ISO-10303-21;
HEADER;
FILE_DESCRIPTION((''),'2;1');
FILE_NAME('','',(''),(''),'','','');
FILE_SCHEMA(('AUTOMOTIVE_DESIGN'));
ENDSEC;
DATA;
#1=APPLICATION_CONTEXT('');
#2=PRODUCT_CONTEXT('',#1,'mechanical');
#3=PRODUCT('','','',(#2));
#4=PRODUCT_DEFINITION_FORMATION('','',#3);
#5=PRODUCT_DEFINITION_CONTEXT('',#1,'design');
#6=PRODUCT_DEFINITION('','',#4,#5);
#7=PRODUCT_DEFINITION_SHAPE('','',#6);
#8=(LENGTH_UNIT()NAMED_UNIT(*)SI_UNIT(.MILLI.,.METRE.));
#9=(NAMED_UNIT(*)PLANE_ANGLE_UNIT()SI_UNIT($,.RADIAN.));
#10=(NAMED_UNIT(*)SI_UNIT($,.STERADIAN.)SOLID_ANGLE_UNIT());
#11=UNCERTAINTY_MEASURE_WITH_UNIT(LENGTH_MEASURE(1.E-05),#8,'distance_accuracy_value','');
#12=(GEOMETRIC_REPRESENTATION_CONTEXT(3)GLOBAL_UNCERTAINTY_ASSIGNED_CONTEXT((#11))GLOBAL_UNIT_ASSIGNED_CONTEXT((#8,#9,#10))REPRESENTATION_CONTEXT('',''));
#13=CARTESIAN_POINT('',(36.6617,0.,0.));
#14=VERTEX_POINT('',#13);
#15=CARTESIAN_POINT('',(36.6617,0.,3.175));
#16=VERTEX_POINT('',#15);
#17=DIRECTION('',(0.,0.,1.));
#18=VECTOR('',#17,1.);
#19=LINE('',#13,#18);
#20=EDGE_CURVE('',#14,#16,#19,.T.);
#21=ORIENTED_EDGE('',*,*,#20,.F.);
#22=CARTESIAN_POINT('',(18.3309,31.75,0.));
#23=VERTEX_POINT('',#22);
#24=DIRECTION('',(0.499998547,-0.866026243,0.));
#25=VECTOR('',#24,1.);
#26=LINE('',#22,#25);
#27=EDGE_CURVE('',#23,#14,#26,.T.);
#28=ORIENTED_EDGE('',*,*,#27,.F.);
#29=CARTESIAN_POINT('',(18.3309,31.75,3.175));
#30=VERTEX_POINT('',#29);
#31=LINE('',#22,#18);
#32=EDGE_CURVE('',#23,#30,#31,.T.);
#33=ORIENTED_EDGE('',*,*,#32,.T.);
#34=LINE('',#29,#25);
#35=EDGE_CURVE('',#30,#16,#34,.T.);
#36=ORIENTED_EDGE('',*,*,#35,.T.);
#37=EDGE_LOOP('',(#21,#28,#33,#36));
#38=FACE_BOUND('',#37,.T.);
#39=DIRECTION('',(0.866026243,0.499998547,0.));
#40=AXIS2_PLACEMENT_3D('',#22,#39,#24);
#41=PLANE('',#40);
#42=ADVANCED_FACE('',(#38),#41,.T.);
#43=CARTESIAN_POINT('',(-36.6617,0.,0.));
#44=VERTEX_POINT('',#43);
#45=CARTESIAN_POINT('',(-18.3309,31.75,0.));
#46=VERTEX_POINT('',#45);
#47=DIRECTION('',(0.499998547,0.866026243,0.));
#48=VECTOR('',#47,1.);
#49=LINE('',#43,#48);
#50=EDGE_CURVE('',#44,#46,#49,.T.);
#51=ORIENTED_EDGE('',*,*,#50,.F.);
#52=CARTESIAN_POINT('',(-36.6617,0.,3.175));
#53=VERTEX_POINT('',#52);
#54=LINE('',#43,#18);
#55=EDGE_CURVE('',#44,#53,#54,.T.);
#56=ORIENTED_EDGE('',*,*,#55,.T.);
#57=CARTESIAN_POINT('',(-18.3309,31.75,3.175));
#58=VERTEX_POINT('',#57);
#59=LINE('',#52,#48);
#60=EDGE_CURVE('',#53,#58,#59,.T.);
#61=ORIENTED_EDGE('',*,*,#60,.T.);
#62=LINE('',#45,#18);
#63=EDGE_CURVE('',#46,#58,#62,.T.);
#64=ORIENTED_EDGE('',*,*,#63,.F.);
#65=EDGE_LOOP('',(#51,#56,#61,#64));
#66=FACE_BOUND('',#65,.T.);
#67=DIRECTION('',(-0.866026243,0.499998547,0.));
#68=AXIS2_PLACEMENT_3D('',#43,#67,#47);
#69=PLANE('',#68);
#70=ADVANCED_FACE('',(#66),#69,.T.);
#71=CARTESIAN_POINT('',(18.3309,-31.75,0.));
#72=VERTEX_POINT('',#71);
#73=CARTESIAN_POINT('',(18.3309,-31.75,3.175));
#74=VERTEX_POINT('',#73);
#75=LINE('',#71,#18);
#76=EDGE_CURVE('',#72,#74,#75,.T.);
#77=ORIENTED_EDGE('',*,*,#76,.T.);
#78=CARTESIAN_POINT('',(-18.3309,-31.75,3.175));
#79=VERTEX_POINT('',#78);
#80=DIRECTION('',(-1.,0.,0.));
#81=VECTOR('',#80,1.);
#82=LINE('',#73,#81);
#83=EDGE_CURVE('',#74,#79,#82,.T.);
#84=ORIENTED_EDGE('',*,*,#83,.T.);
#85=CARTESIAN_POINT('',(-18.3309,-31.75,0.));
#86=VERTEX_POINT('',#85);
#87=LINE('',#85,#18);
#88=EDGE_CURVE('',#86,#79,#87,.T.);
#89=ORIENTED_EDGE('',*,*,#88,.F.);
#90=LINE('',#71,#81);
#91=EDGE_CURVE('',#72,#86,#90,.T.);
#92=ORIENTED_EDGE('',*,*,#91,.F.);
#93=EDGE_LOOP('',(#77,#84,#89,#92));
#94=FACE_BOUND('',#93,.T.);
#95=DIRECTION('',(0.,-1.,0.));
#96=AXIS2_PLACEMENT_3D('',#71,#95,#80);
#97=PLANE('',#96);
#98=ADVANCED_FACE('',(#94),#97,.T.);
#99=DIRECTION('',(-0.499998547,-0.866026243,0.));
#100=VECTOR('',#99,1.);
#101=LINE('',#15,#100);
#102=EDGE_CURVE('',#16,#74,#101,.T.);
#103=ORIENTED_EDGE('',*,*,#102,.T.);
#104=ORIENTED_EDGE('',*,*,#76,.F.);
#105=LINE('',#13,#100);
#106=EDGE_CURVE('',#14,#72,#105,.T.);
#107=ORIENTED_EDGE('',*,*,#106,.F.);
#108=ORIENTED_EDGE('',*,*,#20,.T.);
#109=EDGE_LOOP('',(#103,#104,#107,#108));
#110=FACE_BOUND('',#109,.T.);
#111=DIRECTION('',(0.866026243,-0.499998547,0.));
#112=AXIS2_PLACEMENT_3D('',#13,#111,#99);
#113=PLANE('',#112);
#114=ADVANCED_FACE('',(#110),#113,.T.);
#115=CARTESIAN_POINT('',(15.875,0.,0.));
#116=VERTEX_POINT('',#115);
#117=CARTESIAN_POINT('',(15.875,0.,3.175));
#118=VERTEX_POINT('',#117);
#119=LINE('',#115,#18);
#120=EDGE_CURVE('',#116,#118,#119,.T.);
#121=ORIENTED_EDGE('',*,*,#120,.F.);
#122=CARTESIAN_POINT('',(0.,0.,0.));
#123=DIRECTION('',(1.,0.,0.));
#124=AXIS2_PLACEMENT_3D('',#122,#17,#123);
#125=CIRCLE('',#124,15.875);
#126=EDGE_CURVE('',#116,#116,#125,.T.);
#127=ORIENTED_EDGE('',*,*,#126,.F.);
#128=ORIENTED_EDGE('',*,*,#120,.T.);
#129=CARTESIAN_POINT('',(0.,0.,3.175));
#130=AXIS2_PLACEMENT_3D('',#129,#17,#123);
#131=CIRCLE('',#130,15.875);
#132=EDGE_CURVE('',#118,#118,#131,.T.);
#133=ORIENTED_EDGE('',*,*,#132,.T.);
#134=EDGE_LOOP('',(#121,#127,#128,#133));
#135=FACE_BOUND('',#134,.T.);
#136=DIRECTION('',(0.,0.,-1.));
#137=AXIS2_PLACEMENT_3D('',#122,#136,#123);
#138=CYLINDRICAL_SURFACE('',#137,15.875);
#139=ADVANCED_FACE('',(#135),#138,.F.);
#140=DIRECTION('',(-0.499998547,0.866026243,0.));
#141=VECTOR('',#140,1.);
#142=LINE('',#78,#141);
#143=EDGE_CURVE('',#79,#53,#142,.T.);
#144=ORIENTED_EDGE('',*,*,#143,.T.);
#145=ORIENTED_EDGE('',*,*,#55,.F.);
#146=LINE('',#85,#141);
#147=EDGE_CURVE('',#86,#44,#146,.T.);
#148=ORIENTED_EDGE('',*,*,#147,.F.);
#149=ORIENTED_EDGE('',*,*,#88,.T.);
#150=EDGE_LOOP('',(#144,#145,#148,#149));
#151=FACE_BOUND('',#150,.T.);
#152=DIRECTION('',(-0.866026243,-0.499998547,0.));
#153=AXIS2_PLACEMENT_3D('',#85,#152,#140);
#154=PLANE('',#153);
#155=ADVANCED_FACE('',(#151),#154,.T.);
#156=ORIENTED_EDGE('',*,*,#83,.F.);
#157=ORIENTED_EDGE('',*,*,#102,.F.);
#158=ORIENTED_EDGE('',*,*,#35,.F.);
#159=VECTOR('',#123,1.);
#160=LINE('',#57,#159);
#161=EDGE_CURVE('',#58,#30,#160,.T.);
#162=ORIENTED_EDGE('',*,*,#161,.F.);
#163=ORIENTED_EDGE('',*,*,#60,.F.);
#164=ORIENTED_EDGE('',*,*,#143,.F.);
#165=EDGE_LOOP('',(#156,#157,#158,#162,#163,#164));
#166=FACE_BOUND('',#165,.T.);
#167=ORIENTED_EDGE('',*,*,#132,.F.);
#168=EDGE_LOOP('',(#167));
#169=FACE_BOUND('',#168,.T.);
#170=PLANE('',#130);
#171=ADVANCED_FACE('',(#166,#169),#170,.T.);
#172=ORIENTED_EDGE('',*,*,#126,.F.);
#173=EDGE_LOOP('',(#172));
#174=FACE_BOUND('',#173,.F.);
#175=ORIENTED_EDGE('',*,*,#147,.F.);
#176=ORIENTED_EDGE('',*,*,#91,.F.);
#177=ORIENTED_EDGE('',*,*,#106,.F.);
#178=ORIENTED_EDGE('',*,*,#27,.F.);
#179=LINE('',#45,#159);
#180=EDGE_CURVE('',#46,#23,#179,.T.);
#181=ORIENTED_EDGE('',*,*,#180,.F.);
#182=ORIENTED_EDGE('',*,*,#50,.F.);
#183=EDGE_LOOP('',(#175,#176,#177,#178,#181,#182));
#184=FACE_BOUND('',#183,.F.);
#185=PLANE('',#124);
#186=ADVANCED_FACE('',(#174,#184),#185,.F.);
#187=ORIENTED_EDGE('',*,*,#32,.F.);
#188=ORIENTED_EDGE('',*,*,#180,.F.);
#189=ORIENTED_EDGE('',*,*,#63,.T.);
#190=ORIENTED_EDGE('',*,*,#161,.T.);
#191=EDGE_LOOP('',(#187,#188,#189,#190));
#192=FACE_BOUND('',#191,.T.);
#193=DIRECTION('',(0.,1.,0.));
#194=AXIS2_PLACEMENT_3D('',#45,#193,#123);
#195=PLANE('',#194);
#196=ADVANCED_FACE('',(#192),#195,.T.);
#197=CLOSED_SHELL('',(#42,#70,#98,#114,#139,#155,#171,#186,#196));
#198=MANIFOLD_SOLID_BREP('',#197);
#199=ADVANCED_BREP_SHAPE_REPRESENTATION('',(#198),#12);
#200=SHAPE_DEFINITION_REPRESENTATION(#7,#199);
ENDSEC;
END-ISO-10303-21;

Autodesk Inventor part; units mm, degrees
ref_plane "YZ Plane" through (0, 0, 0) normal (1, 0, 0) x (0, 1, 0)
ref_plane "XZ Plane" through (0, 0, 0) normal (0, 1, 0) x (-1, 0, 0)
ref_plane "XY Plane" through (0, 0, 0) normal (0, 0, 1) x (1, 0, 0)
sketch "Sketch1" plane through (0, 0, 0) normal (0, 0, 1) x (1, 0, 0)
  line L0 (18.3309, 31.75) -> (36.6617, 0)
  line L1 (36.6617, 0) -> (18.3309, -31.75)
  line L2 (18.3309, -31.75) -> (-18.3309, -31.75)
  line L3 (-18.3309, -31.75) -> (-36.6617, 0)
  line L4 (-36.6617, 0) -> (-18.3309, 31.75)
  line L5 (-18.3309, 31.75) -> (18.3309, 31.75)
  circle A0 centre (0, 0) radius 15.875
  dimension "d5" = 63.5
  dimension "d6" = 31.75
extrude "Extrusion1" add sketch "Sketch1" along normal blind 3.175
properties part number "mean machine eye"
